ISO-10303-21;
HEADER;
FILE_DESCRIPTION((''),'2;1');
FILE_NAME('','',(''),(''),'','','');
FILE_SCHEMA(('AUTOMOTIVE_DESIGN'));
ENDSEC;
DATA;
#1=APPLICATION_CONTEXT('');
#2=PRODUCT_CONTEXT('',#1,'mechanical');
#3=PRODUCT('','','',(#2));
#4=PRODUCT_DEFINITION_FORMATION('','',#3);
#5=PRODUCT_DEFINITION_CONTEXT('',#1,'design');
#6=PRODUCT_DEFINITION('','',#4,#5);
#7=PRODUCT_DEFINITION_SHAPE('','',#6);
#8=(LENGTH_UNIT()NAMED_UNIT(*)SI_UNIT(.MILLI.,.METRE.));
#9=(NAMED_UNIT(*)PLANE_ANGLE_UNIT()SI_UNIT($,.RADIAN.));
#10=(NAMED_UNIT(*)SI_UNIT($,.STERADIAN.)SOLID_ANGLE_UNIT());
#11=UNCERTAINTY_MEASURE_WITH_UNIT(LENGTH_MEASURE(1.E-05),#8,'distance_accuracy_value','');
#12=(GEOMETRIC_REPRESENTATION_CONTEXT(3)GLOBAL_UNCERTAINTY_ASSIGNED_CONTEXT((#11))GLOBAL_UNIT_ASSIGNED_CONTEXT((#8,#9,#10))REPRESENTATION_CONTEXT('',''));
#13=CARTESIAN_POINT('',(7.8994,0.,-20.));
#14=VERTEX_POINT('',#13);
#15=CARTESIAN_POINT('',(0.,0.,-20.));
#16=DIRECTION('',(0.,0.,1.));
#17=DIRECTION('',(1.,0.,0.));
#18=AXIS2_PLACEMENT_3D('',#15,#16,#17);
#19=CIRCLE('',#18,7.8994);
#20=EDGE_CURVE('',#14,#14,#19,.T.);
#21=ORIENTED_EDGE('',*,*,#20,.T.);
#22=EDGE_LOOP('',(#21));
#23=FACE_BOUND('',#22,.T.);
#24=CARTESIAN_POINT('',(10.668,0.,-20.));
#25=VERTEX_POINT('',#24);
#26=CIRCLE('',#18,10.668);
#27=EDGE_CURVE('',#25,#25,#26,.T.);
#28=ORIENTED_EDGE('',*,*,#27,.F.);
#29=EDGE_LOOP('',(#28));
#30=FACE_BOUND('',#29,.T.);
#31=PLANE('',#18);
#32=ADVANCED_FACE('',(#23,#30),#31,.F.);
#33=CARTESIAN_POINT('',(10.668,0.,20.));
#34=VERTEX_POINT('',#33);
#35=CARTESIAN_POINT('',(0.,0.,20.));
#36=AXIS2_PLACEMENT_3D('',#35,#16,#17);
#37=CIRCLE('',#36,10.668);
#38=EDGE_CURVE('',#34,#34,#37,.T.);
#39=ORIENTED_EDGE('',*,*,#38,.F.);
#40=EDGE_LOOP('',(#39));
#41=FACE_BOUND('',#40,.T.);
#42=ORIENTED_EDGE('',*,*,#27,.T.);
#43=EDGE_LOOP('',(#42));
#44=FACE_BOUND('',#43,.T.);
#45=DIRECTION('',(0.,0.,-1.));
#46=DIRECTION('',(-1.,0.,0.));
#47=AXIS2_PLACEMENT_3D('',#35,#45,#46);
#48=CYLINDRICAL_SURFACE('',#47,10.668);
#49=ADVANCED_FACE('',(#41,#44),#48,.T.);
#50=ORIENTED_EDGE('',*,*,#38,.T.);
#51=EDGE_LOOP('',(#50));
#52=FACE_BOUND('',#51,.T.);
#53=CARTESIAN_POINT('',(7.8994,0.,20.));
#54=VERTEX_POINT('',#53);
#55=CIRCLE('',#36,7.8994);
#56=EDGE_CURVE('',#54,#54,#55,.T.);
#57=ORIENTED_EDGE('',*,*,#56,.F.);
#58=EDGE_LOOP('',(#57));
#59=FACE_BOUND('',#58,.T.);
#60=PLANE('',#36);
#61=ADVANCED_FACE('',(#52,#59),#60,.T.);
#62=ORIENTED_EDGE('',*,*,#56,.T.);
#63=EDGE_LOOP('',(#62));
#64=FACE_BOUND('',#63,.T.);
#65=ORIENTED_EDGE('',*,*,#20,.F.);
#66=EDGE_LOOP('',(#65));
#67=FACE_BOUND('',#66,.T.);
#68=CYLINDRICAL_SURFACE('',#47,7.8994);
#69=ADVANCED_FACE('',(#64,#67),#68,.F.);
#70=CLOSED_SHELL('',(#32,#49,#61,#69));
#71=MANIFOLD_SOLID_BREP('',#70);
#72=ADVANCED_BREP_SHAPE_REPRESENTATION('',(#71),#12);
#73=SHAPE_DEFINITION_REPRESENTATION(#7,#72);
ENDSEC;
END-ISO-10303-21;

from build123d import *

# Parameters (mm, degrees)
SKETCH1_R           = 10.668
SKETCH1_R_2         = 7.8994
EXTRUDE_THIN1_DEPTH = 20


with BuildPart() as part:
    # Sketch1 → Extrude-Thin1 (new body, symmetric)
    with BuildSketch(Plane.XY):
        Circle(SKETCH1_R)
        Circle(SKETCH1_R_2, mode=Mode.SUBTRACT)
    extrude(amount=EXTRUDE_THIN1_DEPTH, both=True)


solid = part.part
